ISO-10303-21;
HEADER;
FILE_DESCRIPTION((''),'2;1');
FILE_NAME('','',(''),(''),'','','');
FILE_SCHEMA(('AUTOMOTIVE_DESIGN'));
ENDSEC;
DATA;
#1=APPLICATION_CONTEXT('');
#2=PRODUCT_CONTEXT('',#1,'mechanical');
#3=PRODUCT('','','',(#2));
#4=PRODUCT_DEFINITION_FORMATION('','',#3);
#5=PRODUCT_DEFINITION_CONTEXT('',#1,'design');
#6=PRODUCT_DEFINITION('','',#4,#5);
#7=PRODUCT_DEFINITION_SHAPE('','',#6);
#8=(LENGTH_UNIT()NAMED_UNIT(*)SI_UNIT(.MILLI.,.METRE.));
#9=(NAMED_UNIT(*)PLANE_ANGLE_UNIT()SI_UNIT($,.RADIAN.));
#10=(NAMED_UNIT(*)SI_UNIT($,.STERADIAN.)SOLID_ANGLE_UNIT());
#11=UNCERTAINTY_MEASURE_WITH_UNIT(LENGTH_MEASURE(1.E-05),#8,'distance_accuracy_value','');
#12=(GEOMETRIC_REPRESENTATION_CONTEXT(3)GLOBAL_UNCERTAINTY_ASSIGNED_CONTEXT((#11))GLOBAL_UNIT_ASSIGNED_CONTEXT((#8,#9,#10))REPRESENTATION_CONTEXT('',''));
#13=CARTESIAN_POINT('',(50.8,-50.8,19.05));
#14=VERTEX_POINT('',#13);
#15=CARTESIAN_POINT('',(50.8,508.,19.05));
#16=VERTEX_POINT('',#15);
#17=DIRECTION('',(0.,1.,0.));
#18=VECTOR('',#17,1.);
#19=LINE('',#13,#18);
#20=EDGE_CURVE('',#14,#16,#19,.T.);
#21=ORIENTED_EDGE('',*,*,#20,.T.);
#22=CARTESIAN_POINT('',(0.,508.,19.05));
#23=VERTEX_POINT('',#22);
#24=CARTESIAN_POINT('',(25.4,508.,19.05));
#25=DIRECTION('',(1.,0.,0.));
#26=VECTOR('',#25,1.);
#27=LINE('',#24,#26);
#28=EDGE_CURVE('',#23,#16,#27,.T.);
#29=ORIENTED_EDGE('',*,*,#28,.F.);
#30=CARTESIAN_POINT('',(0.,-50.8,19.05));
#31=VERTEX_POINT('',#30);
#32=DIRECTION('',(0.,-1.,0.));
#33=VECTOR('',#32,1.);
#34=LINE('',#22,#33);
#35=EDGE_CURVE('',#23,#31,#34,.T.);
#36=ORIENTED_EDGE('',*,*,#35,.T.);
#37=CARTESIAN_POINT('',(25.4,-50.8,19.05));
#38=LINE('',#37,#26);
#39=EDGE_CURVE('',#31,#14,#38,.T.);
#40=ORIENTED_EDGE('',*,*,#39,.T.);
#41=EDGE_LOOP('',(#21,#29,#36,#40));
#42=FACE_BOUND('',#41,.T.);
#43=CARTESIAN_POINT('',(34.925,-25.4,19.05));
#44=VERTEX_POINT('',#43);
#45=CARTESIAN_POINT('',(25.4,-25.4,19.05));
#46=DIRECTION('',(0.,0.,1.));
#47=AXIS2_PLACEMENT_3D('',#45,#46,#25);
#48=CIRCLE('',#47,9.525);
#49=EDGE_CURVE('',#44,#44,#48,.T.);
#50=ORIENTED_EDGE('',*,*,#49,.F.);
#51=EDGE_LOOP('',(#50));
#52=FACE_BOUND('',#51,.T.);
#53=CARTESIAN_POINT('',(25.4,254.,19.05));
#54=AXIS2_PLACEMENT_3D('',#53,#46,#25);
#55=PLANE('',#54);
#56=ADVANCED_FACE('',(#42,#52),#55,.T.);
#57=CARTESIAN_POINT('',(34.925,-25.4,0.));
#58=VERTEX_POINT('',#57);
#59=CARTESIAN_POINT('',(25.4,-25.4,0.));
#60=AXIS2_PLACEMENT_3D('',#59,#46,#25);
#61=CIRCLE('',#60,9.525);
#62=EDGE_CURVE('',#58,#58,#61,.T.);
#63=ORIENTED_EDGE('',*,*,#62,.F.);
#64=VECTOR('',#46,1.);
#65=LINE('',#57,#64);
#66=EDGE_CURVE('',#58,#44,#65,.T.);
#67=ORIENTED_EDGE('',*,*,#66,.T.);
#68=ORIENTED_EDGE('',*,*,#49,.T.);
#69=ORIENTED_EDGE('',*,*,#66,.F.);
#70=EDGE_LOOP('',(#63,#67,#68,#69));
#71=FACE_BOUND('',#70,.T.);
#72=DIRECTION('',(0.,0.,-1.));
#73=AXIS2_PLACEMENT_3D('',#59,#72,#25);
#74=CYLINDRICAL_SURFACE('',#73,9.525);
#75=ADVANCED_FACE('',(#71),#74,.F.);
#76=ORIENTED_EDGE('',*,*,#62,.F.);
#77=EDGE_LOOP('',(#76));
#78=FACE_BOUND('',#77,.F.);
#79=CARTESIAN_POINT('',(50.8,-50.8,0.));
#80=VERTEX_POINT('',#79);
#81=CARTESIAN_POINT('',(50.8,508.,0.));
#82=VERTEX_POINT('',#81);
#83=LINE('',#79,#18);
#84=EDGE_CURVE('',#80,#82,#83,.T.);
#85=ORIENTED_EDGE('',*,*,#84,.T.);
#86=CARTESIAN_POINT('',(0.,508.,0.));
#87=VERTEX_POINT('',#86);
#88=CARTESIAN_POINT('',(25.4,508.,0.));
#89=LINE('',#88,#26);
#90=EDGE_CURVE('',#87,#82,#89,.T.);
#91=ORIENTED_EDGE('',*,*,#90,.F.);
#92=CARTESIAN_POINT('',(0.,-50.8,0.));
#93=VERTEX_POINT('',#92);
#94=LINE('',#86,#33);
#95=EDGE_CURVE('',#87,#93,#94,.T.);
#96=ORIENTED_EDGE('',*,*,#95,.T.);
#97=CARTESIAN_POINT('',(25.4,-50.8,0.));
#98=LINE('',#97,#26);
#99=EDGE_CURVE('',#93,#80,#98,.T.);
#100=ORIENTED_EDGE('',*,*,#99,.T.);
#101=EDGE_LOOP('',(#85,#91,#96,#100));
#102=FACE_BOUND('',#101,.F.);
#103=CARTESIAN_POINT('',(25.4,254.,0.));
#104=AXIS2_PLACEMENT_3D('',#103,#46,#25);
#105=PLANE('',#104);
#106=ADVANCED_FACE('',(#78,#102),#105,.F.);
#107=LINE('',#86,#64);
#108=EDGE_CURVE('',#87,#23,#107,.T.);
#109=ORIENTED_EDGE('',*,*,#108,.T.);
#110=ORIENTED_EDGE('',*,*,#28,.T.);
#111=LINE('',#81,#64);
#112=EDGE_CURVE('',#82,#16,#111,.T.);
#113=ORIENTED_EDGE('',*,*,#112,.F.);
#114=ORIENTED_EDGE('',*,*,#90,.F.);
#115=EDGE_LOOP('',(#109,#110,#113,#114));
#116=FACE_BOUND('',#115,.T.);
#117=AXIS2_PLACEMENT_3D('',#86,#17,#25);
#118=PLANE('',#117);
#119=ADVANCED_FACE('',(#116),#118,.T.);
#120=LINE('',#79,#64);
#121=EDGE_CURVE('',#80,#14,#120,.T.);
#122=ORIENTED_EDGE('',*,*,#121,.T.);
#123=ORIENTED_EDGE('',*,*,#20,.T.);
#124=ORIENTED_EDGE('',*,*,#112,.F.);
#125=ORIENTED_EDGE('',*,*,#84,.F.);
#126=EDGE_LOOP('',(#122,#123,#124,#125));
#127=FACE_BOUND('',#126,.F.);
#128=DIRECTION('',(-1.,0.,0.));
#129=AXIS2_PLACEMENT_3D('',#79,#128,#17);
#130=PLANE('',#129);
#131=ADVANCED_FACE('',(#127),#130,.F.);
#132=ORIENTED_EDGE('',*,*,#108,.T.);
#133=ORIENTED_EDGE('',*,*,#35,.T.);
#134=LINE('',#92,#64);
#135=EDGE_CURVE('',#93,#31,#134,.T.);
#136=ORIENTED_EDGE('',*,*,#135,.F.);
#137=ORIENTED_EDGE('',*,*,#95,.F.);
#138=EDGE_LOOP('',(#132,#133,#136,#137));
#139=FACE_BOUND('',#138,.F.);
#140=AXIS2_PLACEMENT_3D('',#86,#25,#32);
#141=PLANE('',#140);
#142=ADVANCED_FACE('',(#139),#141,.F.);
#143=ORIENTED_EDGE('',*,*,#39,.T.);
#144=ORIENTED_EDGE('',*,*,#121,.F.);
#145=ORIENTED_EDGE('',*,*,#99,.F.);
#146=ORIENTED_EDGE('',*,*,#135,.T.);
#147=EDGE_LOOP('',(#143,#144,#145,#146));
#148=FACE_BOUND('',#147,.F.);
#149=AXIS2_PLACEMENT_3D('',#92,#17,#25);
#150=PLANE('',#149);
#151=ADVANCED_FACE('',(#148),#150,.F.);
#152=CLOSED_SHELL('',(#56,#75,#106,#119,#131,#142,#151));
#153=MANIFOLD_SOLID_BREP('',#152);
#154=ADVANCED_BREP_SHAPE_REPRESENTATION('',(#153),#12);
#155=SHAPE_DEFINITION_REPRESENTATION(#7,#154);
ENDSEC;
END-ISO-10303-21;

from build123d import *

# Parameters (mm, degrees)
F0_W     = 50.8
F0_H     = 508
F0_H_2   = 50.8
F0_R     = 9.525
F1_DEPTH = 19.05


with BuildPart() as f1:
    # F0 (on Top) → F1 (new body)
    with BuildSketch(Plane.XY):
        with Locations((25.4, 254)):
            Rectangle(F0_W, F0_H)
        with Locations((25.4, -25.4)):
            Rectangle(F0_W, F0_H_2)
        with Locations((25.4, -25.4)):
            Circle(F0_R, mode=Mode.SUBTRACT)
    extrude(amount=F1_DEPTH)


solid = f1.part
